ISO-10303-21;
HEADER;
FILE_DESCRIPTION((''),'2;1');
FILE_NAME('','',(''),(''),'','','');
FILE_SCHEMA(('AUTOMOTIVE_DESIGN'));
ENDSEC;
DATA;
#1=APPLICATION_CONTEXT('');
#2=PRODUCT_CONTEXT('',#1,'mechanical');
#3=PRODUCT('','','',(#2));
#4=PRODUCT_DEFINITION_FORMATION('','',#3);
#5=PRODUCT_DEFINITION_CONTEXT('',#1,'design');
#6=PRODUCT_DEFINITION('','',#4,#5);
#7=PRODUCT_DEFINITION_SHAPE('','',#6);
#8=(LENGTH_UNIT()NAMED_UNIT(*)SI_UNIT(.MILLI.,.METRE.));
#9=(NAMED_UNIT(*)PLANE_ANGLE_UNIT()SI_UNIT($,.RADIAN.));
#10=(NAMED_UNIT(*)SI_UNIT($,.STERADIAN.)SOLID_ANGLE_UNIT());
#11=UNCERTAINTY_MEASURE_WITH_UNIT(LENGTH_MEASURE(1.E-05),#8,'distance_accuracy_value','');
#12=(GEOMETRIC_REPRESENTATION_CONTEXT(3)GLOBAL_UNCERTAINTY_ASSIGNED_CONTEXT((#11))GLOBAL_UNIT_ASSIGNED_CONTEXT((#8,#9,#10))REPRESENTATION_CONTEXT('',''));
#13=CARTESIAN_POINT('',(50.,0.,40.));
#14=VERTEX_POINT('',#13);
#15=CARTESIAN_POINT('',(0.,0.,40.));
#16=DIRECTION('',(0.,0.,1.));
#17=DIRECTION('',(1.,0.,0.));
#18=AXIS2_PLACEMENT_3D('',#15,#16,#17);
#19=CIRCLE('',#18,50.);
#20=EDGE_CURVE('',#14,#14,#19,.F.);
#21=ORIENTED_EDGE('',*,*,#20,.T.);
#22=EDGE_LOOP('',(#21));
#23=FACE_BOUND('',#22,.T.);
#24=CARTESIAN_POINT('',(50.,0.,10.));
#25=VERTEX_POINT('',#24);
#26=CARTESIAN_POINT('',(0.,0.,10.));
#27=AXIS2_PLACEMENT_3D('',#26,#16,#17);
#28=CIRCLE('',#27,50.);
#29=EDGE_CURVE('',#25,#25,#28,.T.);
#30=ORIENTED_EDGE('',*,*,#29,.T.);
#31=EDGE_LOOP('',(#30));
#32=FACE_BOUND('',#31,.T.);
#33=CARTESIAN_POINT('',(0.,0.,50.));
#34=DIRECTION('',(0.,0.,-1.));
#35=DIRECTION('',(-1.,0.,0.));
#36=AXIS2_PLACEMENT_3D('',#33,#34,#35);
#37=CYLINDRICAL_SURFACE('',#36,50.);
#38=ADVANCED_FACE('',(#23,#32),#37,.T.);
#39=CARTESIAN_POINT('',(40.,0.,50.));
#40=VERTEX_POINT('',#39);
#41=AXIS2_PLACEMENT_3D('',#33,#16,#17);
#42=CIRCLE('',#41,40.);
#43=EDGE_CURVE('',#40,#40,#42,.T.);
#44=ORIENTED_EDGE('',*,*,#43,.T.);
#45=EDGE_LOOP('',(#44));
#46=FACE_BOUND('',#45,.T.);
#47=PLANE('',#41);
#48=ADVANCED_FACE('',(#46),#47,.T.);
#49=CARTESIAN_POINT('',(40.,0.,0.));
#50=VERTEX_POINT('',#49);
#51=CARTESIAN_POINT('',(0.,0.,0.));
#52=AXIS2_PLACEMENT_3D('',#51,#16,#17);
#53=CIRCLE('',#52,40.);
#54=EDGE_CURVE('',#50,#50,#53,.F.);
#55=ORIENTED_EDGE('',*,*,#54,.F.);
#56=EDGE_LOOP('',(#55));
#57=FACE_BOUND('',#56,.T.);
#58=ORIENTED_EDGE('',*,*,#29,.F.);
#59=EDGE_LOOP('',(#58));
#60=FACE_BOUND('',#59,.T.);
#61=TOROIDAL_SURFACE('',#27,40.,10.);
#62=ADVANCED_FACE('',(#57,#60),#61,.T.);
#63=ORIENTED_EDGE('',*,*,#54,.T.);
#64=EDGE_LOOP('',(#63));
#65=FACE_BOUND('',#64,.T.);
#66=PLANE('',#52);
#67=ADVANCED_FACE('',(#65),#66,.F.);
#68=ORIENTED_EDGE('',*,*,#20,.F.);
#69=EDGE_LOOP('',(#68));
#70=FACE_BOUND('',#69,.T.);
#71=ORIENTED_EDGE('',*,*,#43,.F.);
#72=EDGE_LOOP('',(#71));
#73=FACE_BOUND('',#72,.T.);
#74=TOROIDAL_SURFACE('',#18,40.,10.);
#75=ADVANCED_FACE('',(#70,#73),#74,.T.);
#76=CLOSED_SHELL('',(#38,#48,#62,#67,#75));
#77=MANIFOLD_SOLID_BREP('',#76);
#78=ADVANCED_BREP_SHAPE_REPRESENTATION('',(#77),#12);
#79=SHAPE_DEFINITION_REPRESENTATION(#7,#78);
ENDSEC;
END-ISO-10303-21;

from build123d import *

# Parameters (mm, degrees)
SKETCH_2_R      = 50
EXTRUDE_2_DEPTH = 50
FILLET_1_R      = 10


with BuildPart() as part:
    # ｽｹｯﾁ2 → ﾎﾞｽ - 押し出し2 (new body)
    with BuildSketch(Plane.XY):
        Circle(SKETCH_2_R)
    extrude(amount=EXTRUDE_2_DEPTH)

    # ﾌｨﾚｯﾄ1
    fillet_1_edges = [part.edges().sort_by_distance(p)[0] for p in [
        (-50, 0, 0),
        (-50, 0, 50),
    ]]
    fillet(fillet_1_edges, radius=FILLET_1_R)


solid = part.part
